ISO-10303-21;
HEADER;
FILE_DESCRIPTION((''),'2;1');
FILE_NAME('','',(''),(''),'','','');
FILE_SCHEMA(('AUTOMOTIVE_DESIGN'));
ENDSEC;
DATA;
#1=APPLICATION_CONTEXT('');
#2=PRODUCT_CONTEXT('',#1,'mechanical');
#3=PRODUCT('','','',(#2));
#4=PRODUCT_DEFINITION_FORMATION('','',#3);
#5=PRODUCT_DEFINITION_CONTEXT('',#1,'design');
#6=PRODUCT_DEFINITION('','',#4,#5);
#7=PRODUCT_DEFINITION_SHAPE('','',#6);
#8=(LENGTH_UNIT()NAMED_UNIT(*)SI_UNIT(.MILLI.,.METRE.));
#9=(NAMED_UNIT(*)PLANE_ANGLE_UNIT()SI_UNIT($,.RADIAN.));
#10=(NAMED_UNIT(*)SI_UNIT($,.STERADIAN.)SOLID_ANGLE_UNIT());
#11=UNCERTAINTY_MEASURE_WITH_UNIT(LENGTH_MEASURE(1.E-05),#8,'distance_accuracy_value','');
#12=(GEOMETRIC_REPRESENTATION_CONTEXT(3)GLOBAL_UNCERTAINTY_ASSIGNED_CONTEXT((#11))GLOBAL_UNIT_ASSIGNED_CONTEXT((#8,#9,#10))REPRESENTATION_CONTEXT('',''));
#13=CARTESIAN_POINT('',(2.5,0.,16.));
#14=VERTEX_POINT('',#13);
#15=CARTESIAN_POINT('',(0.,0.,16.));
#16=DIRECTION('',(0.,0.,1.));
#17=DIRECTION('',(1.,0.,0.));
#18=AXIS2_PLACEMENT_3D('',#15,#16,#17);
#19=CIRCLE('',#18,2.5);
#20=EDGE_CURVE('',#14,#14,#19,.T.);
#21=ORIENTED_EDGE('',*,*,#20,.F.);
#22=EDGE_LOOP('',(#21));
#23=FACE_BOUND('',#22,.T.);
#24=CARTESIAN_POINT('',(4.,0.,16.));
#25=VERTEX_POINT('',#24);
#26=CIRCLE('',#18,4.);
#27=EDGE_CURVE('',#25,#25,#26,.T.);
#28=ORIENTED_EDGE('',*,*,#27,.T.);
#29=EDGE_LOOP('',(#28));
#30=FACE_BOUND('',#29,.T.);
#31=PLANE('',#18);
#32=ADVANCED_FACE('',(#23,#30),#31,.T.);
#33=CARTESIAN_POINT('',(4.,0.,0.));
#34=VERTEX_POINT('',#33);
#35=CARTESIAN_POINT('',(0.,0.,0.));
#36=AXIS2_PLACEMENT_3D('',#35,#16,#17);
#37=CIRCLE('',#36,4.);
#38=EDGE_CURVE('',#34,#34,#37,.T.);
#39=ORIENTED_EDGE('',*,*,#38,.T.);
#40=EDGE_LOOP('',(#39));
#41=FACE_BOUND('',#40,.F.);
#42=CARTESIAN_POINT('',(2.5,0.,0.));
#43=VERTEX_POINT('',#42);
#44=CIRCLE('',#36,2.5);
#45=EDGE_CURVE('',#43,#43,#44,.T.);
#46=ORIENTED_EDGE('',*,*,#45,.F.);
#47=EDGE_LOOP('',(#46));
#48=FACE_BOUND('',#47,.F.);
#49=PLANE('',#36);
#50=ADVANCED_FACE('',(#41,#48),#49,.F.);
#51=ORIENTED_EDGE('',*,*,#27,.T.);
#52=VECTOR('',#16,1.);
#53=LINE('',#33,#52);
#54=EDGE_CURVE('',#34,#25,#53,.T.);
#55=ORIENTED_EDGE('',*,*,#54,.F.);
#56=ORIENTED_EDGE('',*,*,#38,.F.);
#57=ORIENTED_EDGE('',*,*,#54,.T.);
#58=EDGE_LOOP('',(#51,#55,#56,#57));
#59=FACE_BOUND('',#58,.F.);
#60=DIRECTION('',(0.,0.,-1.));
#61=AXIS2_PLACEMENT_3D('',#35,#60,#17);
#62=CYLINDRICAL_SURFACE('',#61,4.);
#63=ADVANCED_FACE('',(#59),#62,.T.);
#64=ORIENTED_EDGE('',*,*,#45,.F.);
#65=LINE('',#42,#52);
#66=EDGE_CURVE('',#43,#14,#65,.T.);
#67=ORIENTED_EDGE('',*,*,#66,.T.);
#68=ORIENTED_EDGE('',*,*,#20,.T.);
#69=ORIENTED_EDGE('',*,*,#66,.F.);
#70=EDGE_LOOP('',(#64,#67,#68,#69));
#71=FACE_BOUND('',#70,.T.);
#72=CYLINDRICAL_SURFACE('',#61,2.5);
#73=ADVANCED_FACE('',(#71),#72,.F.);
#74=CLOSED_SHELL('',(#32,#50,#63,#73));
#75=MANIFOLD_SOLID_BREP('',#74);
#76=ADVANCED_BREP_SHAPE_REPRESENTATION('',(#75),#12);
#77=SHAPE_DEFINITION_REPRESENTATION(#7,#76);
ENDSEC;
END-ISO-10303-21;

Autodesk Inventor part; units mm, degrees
ref_plane "YZ Plane" through (0, 0, 0) normal (1, 0, 0) x (0, 1, 0)
ref_plane "XZ Plane" through (0, 0, 0) normal (0, 1, 0) x (-1, 0, 0)
ref_plane "XY Plane" through (0, 0, 0) normal (0, 0, 1) x (1, 0, 0)
sketch "Sketch1" plane through (0, 0, 0) normal (0, 0, 1) x (1, 0, 0)
  circle A0 centre (0, 0) radius 2.5
  circle A1 centre (0, 0) radius 4
  dimension "d0" = 5
  dimension "d1" = 8
extrude "Extrusion1" add sketch "Sketch1" along normal blind 16
properties part number "Acoplador 8mm para 5mm"
